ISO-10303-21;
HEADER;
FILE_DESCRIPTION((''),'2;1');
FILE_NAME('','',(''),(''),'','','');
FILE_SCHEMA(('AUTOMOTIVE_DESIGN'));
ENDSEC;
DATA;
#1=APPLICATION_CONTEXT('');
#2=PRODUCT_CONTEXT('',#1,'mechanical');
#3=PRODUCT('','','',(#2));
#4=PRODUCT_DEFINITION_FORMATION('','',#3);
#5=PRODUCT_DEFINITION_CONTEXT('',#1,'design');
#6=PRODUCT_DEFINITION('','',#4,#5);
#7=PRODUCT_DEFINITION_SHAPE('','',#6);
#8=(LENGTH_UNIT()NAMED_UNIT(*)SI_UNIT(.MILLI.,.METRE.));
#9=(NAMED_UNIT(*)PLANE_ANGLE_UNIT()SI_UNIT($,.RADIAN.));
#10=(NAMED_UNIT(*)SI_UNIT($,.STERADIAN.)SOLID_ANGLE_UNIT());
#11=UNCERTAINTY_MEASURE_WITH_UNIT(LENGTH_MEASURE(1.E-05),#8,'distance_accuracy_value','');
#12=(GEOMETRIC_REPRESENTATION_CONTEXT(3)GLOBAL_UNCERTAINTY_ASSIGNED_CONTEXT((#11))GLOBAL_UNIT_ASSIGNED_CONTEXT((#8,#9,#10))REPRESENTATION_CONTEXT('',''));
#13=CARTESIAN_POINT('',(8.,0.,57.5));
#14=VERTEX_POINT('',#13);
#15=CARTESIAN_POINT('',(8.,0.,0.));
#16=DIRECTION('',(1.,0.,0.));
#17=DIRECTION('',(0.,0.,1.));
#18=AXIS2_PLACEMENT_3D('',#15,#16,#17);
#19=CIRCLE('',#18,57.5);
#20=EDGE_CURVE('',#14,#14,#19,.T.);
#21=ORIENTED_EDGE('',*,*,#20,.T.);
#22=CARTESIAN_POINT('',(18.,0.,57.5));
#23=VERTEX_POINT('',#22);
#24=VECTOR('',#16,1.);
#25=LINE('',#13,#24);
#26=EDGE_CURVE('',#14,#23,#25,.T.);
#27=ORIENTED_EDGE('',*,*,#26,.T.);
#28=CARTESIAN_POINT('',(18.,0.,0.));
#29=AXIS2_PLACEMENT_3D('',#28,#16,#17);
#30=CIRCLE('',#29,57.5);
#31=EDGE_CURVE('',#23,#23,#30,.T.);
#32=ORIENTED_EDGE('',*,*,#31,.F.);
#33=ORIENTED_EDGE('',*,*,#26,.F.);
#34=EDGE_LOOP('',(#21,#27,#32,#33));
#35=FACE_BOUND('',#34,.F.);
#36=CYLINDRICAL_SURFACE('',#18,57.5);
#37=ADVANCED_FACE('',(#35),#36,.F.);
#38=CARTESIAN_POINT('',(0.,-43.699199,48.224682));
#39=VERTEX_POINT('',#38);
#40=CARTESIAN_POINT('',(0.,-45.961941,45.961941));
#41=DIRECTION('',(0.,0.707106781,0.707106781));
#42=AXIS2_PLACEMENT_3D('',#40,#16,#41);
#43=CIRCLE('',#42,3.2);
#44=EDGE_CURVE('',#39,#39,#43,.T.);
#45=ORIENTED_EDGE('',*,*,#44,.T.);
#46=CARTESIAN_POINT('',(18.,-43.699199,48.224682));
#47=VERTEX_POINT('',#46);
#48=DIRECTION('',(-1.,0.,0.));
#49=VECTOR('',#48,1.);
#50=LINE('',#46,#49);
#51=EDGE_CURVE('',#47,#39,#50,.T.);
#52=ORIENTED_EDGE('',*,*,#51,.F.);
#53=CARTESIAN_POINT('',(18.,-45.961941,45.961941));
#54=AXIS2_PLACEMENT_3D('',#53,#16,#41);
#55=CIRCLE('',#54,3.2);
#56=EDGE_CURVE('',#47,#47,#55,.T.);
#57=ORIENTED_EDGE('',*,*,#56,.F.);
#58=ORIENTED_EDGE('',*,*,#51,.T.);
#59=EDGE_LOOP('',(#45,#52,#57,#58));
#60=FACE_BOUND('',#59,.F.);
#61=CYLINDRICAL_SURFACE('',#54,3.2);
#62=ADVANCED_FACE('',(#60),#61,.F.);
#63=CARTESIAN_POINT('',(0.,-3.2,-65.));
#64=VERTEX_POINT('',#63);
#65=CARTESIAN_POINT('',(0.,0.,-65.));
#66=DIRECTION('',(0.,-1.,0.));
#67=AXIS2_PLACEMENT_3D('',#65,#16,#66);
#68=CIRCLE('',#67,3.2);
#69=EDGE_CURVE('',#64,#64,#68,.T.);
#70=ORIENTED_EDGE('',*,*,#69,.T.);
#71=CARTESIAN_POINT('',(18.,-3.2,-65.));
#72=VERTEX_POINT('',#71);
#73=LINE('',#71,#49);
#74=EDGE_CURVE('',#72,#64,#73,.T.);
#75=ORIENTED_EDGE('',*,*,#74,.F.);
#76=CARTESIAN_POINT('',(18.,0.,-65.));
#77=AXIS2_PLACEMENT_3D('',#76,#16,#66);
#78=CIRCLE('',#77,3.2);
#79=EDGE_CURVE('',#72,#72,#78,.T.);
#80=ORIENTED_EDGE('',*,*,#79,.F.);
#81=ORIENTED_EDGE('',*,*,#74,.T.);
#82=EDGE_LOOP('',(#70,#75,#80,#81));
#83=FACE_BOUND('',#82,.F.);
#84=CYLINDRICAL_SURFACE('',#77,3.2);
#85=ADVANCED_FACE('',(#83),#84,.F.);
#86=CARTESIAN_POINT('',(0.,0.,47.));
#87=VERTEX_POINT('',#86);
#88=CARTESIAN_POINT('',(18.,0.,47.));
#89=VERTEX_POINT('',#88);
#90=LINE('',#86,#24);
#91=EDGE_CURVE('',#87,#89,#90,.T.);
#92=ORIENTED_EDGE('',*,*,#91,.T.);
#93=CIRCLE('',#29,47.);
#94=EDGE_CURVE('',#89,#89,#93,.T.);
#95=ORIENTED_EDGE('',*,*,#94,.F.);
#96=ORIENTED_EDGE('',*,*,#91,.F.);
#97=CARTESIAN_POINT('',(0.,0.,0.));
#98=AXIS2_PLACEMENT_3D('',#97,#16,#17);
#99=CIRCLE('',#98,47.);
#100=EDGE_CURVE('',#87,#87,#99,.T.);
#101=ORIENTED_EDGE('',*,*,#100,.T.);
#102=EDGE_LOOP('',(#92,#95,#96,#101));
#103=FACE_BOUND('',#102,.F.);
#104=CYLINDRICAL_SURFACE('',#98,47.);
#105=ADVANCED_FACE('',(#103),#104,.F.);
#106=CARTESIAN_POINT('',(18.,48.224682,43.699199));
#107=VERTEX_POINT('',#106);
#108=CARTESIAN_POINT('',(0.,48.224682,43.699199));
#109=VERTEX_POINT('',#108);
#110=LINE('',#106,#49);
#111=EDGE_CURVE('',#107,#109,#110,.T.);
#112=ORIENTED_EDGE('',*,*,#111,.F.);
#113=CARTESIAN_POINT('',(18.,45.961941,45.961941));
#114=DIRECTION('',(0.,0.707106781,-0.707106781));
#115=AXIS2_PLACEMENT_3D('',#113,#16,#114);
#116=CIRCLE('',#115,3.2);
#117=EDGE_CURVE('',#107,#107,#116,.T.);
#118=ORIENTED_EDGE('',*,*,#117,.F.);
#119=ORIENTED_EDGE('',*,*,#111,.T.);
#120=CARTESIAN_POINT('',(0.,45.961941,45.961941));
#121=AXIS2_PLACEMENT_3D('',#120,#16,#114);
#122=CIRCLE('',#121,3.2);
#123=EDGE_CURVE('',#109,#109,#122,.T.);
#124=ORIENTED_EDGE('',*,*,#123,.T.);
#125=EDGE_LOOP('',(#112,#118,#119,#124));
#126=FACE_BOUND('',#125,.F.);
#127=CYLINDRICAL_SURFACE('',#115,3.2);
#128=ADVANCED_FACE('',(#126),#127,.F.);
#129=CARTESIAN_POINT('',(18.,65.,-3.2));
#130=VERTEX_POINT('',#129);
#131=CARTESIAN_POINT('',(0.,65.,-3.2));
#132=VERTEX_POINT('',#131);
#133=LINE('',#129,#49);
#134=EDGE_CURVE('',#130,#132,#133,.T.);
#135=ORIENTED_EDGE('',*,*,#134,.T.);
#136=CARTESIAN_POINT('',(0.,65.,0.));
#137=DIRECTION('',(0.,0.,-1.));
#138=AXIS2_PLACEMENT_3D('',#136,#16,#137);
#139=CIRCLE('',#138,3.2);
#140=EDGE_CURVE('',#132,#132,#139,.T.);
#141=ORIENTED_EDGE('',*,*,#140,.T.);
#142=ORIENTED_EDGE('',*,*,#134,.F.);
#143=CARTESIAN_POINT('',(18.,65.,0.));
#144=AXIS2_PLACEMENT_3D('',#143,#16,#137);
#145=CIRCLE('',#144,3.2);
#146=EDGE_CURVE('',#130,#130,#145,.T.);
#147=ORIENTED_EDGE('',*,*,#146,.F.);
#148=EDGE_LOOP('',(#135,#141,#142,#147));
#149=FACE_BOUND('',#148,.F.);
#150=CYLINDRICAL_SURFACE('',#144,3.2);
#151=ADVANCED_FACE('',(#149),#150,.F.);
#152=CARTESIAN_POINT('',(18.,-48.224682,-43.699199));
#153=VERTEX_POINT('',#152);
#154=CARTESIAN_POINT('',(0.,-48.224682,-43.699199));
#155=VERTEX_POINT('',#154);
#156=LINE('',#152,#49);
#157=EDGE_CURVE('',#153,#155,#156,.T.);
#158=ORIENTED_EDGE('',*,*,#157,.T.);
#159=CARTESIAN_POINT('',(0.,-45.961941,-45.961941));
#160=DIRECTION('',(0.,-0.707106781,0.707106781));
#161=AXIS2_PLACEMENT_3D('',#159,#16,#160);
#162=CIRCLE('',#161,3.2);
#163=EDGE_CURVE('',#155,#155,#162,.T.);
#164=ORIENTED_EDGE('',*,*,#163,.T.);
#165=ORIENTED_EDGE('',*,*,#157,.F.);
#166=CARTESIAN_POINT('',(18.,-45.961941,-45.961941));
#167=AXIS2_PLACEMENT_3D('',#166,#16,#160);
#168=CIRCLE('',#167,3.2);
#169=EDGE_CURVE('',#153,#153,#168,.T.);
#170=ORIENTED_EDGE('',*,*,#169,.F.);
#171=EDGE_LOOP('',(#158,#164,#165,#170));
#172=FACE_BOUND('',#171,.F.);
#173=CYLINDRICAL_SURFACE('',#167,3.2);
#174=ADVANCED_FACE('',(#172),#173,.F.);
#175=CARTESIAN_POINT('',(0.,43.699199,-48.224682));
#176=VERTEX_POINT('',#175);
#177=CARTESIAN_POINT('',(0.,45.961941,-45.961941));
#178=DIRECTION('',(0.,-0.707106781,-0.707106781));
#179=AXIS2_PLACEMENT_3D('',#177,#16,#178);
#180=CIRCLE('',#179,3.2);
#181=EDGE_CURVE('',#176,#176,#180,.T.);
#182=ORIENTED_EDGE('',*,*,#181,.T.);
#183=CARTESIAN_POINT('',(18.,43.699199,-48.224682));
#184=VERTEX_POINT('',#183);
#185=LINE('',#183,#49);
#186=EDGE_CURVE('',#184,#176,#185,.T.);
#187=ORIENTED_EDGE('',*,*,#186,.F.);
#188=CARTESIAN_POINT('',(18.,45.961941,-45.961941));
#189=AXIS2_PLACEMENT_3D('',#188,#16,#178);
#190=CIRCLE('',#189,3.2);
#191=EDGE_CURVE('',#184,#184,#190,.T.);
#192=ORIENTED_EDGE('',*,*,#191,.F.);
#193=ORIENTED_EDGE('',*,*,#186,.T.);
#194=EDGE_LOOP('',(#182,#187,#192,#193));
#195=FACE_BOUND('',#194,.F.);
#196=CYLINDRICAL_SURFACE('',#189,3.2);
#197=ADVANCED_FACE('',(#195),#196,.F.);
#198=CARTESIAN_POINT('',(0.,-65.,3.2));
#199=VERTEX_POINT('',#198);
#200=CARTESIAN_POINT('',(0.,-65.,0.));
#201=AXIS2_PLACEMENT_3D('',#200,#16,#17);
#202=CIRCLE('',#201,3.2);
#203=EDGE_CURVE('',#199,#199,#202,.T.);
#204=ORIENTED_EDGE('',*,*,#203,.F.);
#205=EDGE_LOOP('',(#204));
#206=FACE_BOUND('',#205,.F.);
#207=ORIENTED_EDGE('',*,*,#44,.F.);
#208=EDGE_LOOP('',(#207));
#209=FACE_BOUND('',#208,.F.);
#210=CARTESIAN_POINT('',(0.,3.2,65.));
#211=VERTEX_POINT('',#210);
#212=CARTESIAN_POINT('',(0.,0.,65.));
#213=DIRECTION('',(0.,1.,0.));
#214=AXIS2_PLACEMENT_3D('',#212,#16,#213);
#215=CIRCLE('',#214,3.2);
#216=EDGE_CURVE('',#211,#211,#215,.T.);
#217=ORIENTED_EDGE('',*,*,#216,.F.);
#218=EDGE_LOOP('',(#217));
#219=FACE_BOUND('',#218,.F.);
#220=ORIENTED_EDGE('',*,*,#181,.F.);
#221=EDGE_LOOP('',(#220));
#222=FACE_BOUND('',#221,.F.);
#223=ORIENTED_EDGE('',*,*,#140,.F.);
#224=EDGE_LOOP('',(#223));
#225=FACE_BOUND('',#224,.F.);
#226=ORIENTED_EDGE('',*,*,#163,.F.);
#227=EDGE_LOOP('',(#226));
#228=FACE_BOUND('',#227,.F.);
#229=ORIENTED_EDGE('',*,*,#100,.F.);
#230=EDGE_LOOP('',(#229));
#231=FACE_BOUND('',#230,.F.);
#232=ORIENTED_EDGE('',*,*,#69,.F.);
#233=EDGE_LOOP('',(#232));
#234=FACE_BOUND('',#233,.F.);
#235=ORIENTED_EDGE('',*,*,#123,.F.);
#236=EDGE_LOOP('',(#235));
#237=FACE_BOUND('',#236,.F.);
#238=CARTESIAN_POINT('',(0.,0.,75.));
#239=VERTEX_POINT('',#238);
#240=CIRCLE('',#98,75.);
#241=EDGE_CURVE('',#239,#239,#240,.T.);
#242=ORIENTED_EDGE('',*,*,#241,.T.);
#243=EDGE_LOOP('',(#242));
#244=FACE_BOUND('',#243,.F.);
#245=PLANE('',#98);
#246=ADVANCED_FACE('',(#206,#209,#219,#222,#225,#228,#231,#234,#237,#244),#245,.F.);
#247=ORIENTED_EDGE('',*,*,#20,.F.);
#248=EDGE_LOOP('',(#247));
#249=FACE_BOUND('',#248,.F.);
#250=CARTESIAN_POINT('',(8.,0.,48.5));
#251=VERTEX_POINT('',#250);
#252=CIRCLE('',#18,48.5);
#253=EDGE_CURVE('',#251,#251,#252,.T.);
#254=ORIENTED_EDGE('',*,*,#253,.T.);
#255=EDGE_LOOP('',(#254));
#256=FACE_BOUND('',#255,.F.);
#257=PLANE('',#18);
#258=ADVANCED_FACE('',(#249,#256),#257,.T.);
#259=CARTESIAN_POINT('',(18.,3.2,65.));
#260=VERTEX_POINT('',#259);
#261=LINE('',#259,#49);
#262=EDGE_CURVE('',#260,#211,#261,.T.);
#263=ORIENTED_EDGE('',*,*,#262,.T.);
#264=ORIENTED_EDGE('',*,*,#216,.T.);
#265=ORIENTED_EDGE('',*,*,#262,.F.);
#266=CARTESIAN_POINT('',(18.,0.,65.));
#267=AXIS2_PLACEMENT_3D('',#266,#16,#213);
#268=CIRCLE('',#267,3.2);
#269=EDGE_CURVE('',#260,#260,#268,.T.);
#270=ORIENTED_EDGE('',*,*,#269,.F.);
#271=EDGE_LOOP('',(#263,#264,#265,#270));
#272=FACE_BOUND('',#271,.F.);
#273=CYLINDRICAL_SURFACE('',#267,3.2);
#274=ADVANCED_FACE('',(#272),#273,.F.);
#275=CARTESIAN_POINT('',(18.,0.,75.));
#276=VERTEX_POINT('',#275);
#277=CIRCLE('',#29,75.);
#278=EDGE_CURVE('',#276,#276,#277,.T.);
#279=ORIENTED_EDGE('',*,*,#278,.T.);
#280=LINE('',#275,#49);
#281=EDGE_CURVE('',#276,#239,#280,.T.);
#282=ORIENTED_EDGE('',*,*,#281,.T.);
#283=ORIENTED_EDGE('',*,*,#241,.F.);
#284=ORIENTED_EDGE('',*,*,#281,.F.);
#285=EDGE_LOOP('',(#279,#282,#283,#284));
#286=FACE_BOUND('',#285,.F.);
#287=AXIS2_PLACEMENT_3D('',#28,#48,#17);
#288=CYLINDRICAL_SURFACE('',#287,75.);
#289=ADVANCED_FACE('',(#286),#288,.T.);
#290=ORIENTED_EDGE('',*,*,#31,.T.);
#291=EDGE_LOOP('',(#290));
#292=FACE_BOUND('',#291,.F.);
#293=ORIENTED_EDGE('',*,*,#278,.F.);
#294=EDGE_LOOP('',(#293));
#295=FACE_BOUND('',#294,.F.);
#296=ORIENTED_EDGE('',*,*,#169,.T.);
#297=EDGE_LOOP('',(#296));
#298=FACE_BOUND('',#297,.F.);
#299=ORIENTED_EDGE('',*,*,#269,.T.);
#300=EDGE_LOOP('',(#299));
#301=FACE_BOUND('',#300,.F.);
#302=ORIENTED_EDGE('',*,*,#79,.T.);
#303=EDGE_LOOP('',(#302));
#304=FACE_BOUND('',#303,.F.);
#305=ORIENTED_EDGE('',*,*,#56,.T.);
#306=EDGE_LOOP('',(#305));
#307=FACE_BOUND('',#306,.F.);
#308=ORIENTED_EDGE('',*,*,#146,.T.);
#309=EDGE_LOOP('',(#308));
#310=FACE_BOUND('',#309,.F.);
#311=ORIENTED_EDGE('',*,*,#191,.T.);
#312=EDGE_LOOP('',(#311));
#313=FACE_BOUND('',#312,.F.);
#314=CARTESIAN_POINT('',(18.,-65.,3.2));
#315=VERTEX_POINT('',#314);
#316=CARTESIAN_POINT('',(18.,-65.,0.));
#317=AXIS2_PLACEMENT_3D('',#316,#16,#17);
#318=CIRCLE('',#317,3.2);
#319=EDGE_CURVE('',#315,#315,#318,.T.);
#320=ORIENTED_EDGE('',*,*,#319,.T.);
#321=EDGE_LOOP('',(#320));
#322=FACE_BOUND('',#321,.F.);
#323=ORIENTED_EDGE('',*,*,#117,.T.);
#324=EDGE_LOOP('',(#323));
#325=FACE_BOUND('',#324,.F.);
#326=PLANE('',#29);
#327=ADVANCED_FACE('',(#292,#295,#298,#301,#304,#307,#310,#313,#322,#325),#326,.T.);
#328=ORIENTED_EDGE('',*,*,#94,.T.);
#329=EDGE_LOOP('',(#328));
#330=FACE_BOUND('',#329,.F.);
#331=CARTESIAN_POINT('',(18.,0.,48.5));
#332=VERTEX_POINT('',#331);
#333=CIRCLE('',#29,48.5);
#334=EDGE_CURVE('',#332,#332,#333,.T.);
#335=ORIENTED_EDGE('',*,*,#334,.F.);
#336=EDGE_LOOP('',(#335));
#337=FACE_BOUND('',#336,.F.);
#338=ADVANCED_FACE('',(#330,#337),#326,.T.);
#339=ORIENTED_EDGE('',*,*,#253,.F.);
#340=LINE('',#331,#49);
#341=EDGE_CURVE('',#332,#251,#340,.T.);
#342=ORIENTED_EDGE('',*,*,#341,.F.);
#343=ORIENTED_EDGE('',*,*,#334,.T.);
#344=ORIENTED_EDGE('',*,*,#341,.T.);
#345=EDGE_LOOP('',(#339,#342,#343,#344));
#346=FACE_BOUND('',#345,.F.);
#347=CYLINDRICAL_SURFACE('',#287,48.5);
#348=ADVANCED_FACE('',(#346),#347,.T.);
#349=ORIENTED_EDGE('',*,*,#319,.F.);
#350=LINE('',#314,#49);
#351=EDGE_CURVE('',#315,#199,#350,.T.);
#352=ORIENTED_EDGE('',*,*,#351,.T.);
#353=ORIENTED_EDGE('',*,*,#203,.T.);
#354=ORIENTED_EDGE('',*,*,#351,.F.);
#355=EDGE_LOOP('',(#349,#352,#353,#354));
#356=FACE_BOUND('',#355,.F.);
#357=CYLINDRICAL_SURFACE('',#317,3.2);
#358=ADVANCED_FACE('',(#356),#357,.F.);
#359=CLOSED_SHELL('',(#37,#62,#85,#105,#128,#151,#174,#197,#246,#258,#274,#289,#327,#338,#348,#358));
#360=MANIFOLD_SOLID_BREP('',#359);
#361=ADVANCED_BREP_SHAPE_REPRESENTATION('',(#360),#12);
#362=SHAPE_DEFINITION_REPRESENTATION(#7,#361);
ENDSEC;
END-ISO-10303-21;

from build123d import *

# Parameters (mm, degrees)
F3_R     = 3.2
F4_DEPTH = 18
F5_COUNT = 8


with BuildPart() as f2:
    # F1 (on Front) → F2 (revolve)
    with BuildSketch(Plane.XZ):
        Polygon((0, 75), (0, 47), (18, 47), (18, 48.5), (8, 48.5), (8, 57.5), (18, 57.5), (18, 75), align=None)
    revolve(axis=Axis((9, 0, 0), (1, 0, 0)))


with BuildPart() as f4:
    # F3 (on face) → F4 (new body, through all)
    with BuildSketch(Plane.YZ.offset(18)):
        with Locations((0, 65)):
            Circle(F3_R)
    extrude(amount=-F4_DEPTH)


with BuildPart() as f5_1:
    # F5: instance of F4
    add(f4.part.rotate(Axis((18, 0, 0), (1, 0, 0)), 1 * 360 / F5_COUNT))


with BuildPart() as f5_2:
    # F5: instance of F4
    add(f4.part.rotate(Axis((18, 0, 0), (1, 0, 0)), 2 * 360 / F5_COUNT))


with BuildPart() as f5_3:
    # F5: instance of F4
    add(f4.part.rotate(Axis((18, 0, 0), (1, 0, 0)), 3 * 360 / F5_COUNT))


with BuildPart() as f5_4:
    # F5: instance of F4
    add(f4.part.rotate(Axis((18, 0, 0), (1, 0, 0)), 4 * 360 / F5_COUNT))


with BuildPart() as f5_5:
    # F5: instance of F4
    add(f4.part.rotate(Axis((18, 0, 0), (1, 0, 0)), 5 * 360 / F5_COUNT))


with BuildPart() as f5_6:
    # F5: instance of F4
    add(f4.part.rotate(Axis((18, 0, 0), (1, 0, 0)), 6 * 360 / F5_COUNT))


with BuildPart() as f5_7:
    # F5: instance of F4
    add(f4.part.rotate(Axis((18, 0, 0), (1, 0, 0)), 7 * 360 / F5_COUNT))


with BuildPart() as f2_1:
    add(f2.part)

    # F6: cut F4, F5_1, F5_2, F5_3, F5_4, F5_5, F5_6, F5_7
    add(f4.part, mode=Mode.SUBTRACT)
    add(f5_1.part, mode=Mode.SUBTRACT)
    add(f5_2.part, mode=Mode.SUBTRACT)
    add(f5_3.part, mode=Mode.SUBTRACT)
    add(f5_4.part, mode=Mode.SUBTRACT)
    add(f5_5.part, mode=Mode.SUBTRACT)
    add(f5_6.part, mode=Mode.SUBTRACT)
    add(f5_7.part, mode=Mode.SUBTRACT)


solid = f2_1.part
